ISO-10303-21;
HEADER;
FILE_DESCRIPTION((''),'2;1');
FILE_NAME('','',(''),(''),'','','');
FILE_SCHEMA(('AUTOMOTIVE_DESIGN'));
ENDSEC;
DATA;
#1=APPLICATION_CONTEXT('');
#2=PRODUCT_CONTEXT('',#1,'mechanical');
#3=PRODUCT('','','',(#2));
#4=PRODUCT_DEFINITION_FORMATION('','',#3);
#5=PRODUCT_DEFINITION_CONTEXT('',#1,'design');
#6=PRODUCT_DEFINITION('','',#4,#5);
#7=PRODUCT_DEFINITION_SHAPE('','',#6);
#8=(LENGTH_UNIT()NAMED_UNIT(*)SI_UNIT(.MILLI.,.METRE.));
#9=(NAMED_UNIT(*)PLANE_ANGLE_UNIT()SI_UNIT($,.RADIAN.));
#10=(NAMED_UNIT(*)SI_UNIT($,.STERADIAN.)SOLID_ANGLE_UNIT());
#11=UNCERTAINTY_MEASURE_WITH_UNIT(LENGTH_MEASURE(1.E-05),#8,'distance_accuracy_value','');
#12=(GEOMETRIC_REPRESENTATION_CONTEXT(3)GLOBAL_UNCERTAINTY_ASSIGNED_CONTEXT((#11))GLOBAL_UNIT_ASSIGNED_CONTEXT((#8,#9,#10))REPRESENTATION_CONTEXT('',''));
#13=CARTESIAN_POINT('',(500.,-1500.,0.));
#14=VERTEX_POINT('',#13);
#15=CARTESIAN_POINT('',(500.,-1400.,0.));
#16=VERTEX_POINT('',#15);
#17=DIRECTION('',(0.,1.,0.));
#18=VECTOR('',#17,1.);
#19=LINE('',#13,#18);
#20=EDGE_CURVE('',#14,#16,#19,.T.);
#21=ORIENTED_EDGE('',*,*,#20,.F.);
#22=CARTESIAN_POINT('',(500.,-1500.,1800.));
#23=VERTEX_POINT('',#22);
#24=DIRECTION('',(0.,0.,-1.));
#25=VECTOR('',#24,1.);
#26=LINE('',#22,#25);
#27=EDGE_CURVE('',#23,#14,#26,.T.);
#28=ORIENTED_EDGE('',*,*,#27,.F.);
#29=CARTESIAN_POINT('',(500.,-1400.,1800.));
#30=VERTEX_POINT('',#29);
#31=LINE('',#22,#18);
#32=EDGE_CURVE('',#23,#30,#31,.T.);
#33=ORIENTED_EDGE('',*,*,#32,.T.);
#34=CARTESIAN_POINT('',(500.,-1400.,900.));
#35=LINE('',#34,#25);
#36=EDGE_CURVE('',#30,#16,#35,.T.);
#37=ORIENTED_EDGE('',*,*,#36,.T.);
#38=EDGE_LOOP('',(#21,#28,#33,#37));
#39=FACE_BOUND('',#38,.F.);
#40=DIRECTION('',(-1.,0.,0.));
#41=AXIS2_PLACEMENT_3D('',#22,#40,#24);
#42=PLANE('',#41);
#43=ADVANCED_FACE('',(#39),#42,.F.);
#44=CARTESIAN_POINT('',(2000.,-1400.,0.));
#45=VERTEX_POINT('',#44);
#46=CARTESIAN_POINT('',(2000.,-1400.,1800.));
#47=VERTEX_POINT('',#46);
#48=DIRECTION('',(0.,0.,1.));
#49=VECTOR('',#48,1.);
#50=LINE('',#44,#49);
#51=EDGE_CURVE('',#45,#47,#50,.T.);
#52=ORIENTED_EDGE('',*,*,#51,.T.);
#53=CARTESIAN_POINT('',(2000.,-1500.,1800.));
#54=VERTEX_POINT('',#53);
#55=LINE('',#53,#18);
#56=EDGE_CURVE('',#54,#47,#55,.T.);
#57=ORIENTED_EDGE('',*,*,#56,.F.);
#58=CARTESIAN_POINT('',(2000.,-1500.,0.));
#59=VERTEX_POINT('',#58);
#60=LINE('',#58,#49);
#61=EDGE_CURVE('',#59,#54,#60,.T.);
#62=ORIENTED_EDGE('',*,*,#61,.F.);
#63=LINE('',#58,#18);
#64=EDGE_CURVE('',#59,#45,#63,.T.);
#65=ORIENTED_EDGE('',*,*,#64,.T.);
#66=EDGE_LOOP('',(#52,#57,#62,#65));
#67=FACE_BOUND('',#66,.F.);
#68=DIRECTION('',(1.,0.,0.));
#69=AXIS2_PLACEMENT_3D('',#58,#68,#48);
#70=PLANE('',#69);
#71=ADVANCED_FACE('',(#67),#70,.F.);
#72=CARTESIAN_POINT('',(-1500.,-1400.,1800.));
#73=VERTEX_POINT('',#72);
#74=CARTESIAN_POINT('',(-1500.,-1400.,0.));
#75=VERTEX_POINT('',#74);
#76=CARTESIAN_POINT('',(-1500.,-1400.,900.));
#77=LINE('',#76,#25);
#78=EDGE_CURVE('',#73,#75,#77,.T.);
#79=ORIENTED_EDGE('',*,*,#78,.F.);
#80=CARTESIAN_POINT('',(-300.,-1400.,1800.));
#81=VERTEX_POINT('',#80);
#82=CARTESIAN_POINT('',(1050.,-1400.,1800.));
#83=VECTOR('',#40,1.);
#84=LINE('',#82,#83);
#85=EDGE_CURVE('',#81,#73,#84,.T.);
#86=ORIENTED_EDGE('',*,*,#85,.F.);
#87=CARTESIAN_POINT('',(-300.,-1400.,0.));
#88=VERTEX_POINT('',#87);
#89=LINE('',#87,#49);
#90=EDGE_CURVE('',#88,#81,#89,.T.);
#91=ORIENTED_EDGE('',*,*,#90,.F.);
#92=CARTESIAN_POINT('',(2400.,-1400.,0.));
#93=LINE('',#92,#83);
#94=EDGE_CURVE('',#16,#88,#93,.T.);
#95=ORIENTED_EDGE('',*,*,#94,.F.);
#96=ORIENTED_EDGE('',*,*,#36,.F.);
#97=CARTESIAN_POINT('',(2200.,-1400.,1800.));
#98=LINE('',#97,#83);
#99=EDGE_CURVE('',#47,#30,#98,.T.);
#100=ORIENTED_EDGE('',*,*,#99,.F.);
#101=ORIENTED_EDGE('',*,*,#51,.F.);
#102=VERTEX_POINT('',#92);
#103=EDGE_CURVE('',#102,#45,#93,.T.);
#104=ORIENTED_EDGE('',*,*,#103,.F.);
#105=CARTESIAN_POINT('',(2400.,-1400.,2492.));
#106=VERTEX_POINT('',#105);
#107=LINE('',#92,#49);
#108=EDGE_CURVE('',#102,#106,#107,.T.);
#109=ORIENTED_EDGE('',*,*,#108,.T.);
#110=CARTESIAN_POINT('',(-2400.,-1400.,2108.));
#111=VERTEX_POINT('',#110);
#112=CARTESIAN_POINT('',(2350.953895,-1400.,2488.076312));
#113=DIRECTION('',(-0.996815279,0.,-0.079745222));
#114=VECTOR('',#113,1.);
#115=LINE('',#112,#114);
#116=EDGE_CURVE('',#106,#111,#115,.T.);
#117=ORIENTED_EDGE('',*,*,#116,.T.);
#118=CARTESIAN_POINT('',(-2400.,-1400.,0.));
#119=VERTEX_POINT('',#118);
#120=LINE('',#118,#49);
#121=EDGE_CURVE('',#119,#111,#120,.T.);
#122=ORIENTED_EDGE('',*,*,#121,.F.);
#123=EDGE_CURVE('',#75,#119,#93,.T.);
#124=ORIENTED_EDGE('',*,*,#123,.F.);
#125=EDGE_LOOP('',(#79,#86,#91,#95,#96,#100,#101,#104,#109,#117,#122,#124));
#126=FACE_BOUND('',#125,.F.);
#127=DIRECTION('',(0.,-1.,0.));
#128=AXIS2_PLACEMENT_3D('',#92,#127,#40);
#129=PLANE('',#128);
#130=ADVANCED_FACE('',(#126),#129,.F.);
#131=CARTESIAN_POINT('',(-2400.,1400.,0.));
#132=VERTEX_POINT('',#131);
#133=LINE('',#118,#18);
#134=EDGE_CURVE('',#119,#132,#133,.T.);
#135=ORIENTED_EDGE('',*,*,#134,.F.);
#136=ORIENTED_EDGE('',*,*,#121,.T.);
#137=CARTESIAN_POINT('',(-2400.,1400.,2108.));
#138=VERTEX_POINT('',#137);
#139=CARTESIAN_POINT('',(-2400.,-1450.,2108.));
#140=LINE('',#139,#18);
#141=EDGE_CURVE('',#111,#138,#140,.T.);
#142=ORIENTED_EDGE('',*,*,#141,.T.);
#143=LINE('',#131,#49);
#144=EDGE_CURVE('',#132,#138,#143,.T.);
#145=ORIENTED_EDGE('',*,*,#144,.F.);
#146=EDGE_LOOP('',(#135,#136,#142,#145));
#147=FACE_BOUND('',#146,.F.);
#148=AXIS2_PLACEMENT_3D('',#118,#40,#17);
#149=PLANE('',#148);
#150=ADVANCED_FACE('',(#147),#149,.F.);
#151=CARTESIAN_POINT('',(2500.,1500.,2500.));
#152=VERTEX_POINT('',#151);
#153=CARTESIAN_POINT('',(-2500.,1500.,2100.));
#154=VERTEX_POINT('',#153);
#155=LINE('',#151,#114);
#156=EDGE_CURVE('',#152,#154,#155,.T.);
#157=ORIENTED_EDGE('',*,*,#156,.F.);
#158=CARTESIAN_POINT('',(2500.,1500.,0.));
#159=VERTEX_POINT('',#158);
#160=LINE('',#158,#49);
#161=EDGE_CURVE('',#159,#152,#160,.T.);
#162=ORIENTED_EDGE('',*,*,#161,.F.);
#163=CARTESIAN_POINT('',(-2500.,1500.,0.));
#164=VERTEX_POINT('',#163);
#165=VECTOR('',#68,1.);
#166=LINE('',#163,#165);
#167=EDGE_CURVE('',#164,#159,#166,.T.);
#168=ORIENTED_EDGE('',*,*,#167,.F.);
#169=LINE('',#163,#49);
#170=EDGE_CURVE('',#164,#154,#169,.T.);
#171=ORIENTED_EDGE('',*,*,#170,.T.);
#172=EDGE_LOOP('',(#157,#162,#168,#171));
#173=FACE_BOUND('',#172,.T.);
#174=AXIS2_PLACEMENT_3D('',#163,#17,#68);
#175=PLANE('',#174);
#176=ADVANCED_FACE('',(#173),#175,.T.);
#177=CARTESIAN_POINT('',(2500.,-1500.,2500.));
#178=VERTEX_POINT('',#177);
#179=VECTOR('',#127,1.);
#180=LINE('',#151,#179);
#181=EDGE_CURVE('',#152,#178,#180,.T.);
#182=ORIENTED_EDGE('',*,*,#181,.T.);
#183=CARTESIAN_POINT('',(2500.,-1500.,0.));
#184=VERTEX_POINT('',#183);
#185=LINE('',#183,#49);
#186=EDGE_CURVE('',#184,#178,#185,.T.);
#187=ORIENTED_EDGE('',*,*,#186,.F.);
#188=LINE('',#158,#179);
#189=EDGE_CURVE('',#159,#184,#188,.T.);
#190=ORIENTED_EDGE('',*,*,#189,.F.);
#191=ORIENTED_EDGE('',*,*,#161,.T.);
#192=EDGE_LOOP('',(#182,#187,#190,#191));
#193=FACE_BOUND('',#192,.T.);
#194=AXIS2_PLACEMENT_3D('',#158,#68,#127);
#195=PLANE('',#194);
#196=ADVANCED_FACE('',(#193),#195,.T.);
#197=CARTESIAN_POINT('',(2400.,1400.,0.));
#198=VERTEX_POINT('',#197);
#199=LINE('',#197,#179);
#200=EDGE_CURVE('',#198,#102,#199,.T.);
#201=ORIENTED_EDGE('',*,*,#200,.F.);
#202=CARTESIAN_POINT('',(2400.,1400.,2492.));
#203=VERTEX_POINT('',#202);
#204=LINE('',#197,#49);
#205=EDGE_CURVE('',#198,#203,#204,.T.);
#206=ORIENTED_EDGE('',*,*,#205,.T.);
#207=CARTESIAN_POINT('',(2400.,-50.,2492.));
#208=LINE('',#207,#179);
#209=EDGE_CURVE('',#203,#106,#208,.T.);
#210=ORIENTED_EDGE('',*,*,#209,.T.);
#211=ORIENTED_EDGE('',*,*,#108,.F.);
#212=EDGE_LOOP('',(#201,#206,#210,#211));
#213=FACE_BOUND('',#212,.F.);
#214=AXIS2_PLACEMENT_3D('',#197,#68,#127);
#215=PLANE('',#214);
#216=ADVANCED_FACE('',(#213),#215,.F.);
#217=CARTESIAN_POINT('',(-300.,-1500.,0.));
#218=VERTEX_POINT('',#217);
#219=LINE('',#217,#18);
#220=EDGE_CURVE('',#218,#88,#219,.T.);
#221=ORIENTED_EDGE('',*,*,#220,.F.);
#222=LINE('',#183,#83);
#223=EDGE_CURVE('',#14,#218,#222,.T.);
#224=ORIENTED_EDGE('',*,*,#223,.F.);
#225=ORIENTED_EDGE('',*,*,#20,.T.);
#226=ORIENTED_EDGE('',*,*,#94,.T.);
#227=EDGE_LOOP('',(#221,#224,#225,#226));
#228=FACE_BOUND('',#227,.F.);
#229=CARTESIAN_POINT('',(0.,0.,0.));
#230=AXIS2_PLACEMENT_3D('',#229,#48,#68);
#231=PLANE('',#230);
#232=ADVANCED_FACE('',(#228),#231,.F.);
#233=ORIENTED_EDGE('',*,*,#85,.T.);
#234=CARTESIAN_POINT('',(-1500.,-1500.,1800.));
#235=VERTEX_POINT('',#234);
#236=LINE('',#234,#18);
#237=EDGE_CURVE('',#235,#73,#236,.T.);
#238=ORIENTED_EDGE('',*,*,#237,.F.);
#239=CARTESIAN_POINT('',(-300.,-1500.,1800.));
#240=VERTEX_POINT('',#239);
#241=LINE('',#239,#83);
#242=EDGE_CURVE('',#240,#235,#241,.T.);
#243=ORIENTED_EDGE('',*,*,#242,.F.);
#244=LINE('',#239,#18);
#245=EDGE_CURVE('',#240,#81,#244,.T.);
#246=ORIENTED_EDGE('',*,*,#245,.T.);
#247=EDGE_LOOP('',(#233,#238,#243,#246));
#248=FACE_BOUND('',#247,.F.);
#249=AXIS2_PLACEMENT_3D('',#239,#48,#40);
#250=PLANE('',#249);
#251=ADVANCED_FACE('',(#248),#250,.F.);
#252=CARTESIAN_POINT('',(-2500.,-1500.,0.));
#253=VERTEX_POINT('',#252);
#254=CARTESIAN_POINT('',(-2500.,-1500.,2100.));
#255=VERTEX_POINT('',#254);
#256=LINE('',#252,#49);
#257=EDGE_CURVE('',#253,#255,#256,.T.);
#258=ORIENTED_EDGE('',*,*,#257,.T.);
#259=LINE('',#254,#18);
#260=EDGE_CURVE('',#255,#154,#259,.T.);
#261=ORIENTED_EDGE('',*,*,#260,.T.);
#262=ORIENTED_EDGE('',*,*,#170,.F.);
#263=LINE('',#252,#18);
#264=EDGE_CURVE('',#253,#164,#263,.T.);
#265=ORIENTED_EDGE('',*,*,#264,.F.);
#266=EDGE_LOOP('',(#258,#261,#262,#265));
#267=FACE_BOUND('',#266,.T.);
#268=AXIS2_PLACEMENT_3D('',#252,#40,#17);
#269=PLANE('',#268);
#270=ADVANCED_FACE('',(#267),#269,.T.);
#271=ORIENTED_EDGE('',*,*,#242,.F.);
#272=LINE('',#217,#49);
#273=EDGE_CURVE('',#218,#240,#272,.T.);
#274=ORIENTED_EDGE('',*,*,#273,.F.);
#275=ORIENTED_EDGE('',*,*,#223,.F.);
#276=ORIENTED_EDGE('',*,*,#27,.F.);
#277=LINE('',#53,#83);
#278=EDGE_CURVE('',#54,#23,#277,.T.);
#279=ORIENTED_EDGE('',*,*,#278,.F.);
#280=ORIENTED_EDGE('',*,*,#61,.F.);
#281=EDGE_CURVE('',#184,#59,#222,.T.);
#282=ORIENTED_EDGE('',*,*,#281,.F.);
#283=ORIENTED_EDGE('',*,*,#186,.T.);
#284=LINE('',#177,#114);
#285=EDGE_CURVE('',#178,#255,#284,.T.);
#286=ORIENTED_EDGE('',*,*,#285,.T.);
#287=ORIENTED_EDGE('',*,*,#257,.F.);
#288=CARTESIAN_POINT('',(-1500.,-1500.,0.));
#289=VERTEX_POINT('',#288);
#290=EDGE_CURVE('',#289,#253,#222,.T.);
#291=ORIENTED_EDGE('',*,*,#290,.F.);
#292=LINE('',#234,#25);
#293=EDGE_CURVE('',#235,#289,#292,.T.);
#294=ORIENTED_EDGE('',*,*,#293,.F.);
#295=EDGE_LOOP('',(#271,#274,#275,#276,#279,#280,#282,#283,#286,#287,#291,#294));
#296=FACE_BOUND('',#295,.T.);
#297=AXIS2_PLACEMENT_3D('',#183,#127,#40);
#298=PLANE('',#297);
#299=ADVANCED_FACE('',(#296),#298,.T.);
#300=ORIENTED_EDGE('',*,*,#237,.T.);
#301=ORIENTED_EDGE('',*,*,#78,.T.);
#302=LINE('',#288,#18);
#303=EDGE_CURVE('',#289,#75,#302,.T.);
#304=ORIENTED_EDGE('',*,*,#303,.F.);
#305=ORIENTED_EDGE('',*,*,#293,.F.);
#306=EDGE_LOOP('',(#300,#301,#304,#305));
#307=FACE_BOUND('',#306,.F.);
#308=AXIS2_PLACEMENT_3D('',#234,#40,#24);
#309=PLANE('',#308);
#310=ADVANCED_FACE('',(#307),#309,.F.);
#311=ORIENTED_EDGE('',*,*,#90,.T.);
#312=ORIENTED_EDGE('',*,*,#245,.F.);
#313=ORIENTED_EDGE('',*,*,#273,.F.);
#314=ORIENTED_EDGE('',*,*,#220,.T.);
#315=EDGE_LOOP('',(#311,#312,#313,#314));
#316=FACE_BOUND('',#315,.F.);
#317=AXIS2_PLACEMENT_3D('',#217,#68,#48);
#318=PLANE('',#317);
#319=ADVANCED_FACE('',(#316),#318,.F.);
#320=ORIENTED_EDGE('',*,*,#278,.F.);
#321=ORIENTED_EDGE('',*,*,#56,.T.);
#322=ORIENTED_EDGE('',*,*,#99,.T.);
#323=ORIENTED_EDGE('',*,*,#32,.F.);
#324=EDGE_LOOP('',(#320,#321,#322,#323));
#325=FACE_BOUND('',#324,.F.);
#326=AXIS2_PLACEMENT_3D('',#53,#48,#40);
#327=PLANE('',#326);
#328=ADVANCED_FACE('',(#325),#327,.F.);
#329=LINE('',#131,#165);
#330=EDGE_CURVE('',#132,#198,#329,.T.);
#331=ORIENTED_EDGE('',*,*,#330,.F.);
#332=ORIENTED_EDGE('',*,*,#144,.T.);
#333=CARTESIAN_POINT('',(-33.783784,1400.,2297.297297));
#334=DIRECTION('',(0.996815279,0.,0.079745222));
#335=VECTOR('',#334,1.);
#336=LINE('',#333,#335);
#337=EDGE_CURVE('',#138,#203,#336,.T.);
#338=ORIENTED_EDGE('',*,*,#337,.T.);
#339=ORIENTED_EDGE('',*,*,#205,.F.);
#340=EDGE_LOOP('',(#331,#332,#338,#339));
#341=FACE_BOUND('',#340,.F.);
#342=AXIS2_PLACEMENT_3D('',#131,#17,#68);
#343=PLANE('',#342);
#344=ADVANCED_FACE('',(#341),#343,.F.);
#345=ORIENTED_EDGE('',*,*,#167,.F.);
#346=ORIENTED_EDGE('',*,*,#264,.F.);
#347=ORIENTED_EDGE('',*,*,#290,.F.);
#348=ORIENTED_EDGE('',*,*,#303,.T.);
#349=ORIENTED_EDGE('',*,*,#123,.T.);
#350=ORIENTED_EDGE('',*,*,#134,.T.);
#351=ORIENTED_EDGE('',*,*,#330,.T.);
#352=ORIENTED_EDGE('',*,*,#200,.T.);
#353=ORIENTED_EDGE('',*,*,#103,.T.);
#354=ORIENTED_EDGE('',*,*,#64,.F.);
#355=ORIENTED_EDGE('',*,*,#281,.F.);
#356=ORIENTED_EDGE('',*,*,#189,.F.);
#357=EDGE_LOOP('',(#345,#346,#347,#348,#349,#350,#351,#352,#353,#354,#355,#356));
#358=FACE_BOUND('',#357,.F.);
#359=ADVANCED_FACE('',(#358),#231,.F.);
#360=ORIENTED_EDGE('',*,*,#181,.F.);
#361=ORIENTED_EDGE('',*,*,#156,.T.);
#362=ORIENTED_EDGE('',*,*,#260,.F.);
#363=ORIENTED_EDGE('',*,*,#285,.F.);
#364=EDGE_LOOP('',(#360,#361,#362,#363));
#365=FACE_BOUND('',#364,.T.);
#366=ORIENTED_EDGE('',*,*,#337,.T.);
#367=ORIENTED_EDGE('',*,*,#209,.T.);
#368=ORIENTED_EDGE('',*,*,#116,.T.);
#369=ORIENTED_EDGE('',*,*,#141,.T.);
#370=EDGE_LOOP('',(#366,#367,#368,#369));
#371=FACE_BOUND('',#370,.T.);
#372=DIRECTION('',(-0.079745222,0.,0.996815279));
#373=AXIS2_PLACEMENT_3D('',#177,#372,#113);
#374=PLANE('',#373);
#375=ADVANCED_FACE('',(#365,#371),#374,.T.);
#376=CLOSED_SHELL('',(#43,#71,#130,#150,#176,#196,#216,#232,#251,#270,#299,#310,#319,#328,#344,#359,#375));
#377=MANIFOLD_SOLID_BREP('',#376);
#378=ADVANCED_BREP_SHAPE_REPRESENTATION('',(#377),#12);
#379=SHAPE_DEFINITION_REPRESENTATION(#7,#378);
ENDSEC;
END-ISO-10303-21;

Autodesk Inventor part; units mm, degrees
ref_plane "YZ Plane" through (0, 0, 0) normal (1, 0, 0) x (0, 1, 0)
ref_plane "XZ Plane" through (0, 0, 0) normal (0, 1, 0) x (-1, 0, 0)
ref_plane "XY Plane" through (0, 0, 0) normal (0, 0, 1) x (1, 0, 0)
ref_plane "Arbeitsebene1" through (0, 0, 0) normal (0, 0, 1) x (1, 0, 0)
sketch "Skizze1" plane through (0, 0, 0) normal (0, 0, 1) x (1, 0, 0)
  line L0 (-2500, 1500) -> (2500, 1500) projected
  line L1 (-2500, -1500) -> (-2500, 1500) projected
  line L2 (2500, -1500) -> (-2500, -1500) projected
  line L3 (2500, 1500) -> (2500, -1500) projected
  line L4 (-2400, 1400) -> (2400, 1400)
  line L5 (2400, 1400) -> (2400, -1400)
  line L6 (2400, -1400) -> (-2400, -1400)
  line L7 (-2400, -1400) -> (-2400, 1400)
  dimension "d0" = 100
extrude "Extrusion1" add sketch "Skizze1" along normal blind 2500
sketch "Skizze3" plane through (-2500, -1500, 0) normal (0, -1, 0) x (1, 0, 0)
  line L0 (5000, 0) -> (0, 0) projected
  line L1 (5000, 0) -> (5000, 2500) projected
  line L2 (0, 2500) -> (5000, 2500) projected
  line L3 (0, 0) -> (0, 2500) projected
  line L4 (5000, 0) -> (5000, 2500) projected
  line L5 (5000, 2500) -> (0, 2100)
  line L6 (0, 0) -> (0, 2500) projected
  line L7 (0, 2500) -> (0, 2100)
  line L8 (0, 2500) -> (5000, 2500) projected
  line L9 (0, 2500) -> (5000, 2500)
  dimension "d11" = 400
extrude "Extrusion3" cut sketch "Skizze3" against normal up to surface (3000 mm away) contours L5 L3 L2
sketch "Skizze2" plane through (-2500, -1500, 0) normal (0, -1, 0) x (1, 0, 0)
  line L0 (5000, 0) -> (0, 0) projected
  line L1 (5000, 0) -> (5000, 2500) projected
  line L2 (0, 0) -> (0, 2100) projected
  line L3 (1000, 0) -> (2200, 0)
  line L4 (2200, 0) -> (2200, 1800)
  line L5 (2200, 1800) -> (1000, 1800)
  line L6 (1000, 1800) -> (1000, 0)
  line L7 (0, 0) -> (5000, 0) projected
  line L8 (3000, 0) -> (4500, 0)
  line L9 (4500, 0) -> (4500, 1800)
  line L10 (4500, 1800) -> (3000, 1800)
  line L11 (3000, 1800) -> (3000, 0)
  line L12 (5000, 2500) -> (0, 2100) projected
  dimension "d3" = 1800
  dimension "d4" = 1500
  dimension "d5" = 1200
  dimension "d6" = 500
  dimension "d7" = 1000
extrude "Extrusion2" cut sketch "Skizze2" against normal blind 396.5 contours L0 L11 L10 L9 | L0 L6 L5 L4
properties part number "Wände" material "Beton"
